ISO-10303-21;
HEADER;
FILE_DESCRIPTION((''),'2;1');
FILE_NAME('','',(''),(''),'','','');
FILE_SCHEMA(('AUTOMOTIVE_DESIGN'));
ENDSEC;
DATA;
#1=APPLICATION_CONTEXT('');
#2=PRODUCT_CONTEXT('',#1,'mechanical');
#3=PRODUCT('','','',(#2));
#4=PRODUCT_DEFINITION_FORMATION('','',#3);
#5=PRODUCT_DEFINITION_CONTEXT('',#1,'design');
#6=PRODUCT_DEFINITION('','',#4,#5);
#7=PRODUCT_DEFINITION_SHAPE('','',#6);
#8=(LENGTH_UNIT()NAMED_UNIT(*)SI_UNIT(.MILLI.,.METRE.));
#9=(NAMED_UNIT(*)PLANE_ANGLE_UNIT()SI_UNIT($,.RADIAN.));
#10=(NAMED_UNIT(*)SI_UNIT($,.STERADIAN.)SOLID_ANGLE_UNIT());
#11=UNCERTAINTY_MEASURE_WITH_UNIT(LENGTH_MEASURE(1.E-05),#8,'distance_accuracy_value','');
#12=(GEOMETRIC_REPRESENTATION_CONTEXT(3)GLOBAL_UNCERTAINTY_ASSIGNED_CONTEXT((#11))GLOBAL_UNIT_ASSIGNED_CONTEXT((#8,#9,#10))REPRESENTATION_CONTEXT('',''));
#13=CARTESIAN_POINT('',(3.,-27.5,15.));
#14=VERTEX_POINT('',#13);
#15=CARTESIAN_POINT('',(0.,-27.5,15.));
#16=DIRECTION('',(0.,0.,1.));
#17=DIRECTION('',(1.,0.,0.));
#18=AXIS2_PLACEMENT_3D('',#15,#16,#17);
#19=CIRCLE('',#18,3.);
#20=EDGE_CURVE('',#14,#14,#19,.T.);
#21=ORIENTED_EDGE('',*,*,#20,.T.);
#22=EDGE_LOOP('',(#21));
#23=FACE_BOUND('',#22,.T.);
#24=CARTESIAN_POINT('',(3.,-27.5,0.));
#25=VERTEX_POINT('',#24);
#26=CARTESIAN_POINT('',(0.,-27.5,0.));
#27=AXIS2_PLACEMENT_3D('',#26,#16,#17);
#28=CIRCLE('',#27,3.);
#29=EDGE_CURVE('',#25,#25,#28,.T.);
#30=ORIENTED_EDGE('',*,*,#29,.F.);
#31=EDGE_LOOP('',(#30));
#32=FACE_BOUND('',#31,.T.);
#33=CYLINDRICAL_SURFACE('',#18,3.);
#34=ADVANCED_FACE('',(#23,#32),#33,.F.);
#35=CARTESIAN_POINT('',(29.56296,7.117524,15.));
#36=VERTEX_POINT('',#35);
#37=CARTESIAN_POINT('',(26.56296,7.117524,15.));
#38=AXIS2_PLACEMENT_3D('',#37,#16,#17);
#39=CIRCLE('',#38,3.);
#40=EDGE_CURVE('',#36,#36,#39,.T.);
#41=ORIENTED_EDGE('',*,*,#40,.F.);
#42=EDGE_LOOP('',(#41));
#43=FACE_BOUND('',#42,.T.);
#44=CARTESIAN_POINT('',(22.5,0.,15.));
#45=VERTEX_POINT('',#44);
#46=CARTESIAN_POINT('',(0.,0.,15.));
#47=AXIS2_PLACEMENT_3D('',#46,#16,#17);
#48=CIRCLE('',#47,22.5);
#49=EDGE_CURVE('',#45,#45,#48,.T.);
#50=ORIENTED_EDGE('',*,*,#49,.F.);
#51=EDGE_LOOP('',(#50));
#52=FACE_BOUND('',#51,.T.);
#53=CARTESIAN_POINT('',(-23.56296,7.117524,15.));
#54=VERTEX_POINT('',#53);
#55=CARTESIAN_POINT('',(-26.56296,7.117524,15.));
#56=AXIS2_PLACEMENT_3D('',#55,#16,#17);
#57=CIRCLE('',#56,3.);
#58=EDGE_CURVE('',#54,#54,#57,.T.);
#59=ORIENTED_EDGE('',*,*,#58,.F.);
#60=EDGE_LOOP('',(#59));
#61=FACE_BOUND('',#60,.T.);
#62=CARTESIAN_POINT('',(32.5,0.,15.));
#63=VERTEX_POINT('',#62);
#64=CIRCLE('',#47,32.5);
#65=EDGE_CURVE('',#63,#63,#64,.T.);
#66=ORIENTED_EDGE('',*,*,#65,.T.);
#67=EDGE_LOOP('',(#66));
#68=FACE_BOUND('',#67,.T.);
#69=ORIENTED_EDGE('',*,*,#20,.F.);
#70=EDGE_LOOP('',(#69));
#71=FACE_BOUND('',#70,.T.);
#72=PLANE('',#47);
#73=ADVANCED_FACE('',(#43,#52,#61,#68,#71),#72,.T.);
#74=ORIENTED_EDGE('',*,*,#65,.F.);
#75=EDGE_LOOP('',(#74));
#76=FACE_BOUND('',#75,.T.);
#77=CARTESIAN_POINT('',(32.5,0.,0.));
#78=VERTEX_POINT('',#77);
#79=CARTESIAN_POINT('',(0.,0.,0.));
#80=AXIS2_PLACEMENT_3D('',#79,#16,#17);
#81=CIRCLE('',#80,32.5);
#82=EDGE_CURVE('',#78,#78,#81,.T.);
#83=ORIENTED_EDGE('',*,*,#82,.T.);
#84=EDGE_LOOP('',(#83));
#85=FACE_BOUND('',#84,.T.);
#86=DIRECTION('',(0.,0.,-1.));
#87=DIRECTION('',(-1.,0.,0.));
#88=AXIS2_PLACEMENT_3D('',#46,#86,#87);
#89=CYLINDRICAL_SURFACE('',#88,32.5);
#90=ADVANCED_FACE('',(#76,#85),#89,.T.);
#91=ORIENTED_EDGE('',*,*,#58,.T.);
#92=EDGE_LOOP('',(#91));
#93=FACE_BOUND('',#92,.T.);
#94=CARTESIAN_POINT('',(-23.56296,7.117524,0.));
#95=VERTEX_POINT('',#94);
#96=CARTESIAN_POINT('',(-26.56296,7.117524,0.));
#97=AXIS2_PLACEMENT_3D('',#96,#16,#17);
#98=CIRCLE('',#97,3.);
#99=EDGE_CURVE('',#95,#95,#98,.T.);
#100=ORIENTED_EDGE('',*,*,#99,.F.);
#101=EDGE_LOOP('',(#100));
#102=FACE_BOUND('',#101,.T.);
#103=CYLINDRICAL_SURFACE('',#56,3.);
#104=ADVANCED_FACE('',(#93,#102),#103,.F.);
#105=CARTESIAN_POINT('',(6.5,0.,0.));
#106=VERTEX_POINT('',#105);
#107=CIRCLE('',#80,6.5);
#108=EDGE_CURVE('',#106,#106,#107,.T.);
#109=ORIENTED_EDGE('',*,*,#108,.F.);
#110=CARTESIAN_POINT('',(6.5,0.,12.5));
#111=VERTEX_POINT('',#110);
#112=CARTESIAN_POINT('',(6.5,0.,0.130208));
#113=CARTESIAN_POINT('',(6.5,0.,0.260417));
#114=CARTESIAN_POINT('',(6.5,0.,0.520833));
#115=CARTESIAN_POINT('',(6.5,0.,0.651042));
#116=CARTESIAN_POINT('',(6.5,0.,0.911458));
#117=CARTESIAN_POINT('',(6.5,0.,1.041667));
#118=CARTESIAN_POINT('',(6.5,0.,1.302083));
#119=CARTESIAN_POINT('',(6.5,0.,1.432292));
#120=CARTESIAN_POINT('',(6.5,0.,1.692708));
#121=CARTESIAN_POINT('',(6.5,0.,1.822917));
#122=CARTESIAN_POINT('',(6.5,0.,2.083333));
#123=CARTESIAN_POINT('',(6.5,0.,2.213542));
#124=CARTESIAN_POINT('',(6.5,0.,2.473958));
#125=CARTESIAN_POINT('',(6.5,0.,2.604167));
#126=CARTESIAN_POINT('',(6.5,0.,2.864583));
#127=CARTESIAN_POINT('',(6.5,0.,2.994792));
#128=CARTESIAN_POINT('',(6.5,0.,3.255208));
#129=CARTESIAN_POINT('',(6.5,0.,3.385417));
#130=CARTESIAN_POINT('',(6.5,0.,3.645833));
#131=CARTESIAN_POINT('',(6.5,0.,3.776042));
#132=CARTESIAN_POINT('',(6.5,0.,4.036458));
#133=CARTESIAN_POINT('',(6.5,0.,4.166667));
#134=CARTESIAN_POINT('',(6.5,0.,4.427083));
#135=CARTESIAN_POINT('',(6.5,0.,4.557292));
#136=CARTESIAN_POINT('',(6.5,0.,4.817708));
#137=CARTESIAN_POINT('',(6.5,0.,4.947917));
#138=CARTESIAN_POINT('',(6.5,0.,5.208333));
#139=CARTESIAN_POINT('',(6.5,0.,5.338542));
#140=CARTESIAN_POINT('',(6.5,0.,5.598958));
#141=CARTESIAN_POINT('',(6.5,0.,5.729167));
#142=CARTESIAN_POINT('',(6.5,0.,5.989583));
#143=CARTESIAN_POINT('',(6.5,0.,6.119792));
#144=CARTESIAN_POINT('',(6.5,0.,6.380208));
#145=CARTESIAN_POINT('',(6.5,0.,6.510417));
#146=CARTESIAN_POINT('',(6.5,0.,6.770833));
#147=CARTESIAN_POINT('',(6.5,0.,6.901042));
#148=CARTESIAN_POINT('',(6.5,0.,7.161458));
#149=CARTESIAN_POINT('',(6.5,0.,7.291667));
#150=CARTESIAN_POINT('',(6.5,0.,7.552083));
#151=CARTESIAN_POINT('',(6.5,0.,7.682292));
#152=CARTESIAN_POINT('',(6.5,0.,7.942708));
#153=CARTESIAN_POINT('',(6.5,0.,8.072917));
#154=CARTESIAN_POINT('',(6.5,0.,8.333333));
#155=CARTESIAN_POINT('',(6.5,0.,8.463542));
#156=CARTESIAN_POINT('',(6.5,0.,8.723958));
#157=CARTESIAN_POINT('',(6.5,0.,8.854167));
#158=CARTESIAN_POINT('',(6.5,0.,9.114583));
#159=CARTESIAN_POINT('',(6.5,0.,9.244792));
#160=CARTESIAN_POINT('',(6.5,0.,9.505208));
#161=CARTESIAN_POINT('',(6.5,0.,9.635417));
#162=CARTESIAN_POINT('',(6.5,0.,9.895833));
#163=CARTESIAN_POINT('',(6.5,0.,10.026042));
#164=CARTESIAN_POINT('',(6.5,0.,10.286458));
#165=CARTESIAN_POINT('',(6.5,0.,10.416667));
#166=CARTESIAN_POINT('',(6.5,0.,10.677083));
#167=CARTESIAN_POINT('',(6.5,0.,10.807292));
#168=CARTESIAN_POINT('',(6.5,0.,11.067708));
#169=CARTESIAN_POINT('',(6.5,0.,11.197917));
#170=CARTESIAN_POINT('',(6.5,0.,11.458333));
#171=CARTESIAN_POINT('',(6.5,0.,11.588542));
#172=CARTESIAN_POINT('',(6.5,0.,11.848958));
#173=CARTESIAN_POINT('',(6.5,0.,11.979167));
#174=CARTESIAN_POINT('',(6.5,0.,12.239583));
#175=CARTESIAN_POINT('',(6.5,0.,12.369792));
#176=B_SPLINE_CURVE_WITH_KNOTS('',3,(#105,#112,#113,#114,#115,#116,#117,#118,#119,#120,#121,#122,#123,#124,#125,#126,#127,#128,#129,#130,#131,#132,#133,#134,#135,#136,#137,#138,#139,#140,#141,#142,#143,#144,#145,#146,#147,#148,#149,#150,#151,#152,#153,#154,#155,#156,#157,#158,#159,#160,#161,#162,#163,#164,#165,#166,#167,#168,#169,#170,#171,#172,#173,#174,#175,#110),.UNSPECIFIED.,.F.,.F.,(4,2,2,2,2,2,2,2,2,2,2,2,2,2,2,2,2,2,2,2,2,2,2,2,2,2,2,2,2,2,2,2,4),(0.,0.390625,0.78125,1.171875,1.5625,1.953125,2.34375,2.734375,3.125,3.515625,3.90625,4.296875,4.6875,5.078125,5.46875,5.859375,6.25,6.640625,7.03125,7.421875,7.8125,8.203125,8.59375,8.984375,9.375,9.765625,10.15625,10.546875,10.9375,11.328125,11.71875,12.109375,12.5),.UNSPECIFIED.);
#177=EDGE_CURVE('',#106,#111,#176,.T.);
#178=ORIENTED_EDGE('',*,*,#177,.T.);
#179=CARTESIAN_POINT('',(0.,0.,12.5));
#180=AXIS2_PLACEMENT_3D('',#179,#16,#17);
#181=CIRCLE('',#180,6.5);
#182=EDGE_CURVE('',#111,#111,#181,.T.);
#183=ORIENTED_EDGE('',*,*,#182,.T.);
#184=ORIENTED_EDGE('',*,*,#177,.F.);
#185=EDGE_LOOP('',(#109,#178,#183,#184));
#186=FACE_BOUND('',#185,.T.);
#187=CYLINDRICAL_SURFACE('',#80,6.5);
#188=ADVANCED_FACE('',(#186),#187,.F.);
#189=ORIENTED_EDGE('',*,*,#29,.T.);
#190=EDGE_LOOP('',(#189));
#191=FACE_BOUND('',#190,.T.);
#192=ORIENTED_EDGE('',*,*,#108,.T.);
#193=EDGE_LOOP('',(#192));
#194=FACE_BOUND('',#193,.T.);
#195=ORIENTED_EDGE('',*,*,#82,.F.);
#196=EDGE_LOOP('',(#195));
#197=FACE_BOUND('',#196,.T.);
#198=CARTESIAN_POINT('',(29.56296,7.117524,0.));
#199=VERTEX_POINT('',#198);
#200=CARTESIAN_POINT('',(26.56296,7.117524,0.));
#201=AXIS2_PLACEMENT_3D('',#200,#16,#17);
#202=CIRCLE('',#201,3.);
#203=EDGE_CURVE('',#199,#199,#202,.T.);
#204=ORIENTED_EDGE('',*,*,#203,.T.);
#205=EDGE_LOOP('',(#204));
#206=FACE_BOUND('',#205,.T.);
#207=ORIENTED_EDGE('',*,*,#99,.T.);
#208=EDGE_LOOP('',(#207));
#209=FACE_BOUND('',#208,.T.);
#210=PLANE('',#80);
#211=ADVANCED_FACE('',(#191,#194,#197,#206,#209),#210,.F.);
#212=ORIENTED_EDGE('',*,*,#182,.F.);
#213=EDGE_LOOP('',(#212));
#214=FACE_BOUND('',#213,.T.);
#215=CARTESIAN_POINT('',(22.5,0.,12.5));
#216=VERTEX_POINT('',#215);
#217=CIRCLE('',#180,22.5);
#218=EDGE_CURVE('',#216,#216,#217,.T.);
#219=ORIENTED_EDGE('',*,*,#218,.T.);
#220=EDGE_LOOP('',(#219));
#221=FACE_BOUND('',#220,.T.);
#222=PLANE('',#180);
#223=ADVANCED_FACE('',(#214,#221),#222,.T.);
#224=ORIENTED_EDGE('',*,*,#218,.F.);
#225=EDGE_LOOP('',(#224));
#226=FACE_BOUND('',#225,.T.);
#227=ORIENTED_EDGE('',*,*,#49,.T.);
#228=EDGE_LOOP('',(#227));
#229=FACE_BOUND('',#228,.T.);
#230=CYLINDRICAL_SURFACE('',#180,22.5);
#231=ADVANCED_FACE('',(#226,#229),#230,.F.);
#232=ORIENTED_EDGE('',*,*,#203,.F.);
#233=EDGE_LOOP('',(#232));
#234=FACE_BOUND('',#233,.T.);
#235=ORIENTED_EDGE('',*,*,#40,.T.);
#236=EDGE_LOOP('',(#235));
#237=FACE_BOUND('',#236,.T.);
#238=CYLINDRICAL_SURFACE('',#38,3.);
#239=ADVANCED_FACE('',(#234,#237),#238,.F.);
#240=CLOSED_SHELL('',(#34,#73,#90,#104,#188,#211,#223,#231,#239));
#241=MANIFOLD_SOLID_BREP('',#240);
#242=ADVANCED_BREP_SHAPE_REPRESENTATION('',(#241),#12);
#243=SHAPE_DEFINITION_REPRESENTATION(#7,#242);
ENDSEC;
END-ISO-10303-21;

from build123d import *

# Parameters (mm, degrees)
ESQUISSE1_R                = 32.5
BOSS_EXTRU_1_DEPTH         = 15
ESQUISSE2_R                = 22.5
ENL_V_MAT_EXTRU_1_DEPTH    = 2.5
ESQUISSE3_R                = 6.5
ENL_V_MAT_EXTRU_2_DEPTH    = 48.631397208
TROUS_DE_CENTRAGE_6_0MM1_D = 6


with BuildPart() as part:
    # Esquisse1 → Boss.-Extru.1 (new body)
    with BuildSketch(Plane.XY):
        Circle(ESQUISSE1_R)
    extrude(amount=BOSS_EXTRU_1_DEPTH)

    # Esquisse2 → Enlèv. mat.-Extru.1 (cut)
    with BuildSketch(Plane.XY.offset(15)):
        Circle(ESQUISSE2_R)
    extrude(amount=-ENL_V_MAT_EXTRU_1_DEPTH, mode=Mode.SUBTRACT)

    # Esquisse3 → Enlèv. mat.-Extru.2 (cut, through all)
    with BuildSketch(Plane.XY.offset(12.5)):
        Circle(ESQUISSE3_R)
    extrude(amount=-ENL_V_MAT_EXTRU_2_DEPTH, mode=Mode.SUBTRACT)

    # Trous de centrage Ø6.0mm1 (through all)
    with Locations(Plane.XY.offset(15)):
        with Locations((0, -27.5), (-26.562960223, 7.11752374), (26.562960223, 7.11752374)):
            Hole(TROUS_DE_CENTRAGE_6_0MM1_D / 2)


solid = part.part
